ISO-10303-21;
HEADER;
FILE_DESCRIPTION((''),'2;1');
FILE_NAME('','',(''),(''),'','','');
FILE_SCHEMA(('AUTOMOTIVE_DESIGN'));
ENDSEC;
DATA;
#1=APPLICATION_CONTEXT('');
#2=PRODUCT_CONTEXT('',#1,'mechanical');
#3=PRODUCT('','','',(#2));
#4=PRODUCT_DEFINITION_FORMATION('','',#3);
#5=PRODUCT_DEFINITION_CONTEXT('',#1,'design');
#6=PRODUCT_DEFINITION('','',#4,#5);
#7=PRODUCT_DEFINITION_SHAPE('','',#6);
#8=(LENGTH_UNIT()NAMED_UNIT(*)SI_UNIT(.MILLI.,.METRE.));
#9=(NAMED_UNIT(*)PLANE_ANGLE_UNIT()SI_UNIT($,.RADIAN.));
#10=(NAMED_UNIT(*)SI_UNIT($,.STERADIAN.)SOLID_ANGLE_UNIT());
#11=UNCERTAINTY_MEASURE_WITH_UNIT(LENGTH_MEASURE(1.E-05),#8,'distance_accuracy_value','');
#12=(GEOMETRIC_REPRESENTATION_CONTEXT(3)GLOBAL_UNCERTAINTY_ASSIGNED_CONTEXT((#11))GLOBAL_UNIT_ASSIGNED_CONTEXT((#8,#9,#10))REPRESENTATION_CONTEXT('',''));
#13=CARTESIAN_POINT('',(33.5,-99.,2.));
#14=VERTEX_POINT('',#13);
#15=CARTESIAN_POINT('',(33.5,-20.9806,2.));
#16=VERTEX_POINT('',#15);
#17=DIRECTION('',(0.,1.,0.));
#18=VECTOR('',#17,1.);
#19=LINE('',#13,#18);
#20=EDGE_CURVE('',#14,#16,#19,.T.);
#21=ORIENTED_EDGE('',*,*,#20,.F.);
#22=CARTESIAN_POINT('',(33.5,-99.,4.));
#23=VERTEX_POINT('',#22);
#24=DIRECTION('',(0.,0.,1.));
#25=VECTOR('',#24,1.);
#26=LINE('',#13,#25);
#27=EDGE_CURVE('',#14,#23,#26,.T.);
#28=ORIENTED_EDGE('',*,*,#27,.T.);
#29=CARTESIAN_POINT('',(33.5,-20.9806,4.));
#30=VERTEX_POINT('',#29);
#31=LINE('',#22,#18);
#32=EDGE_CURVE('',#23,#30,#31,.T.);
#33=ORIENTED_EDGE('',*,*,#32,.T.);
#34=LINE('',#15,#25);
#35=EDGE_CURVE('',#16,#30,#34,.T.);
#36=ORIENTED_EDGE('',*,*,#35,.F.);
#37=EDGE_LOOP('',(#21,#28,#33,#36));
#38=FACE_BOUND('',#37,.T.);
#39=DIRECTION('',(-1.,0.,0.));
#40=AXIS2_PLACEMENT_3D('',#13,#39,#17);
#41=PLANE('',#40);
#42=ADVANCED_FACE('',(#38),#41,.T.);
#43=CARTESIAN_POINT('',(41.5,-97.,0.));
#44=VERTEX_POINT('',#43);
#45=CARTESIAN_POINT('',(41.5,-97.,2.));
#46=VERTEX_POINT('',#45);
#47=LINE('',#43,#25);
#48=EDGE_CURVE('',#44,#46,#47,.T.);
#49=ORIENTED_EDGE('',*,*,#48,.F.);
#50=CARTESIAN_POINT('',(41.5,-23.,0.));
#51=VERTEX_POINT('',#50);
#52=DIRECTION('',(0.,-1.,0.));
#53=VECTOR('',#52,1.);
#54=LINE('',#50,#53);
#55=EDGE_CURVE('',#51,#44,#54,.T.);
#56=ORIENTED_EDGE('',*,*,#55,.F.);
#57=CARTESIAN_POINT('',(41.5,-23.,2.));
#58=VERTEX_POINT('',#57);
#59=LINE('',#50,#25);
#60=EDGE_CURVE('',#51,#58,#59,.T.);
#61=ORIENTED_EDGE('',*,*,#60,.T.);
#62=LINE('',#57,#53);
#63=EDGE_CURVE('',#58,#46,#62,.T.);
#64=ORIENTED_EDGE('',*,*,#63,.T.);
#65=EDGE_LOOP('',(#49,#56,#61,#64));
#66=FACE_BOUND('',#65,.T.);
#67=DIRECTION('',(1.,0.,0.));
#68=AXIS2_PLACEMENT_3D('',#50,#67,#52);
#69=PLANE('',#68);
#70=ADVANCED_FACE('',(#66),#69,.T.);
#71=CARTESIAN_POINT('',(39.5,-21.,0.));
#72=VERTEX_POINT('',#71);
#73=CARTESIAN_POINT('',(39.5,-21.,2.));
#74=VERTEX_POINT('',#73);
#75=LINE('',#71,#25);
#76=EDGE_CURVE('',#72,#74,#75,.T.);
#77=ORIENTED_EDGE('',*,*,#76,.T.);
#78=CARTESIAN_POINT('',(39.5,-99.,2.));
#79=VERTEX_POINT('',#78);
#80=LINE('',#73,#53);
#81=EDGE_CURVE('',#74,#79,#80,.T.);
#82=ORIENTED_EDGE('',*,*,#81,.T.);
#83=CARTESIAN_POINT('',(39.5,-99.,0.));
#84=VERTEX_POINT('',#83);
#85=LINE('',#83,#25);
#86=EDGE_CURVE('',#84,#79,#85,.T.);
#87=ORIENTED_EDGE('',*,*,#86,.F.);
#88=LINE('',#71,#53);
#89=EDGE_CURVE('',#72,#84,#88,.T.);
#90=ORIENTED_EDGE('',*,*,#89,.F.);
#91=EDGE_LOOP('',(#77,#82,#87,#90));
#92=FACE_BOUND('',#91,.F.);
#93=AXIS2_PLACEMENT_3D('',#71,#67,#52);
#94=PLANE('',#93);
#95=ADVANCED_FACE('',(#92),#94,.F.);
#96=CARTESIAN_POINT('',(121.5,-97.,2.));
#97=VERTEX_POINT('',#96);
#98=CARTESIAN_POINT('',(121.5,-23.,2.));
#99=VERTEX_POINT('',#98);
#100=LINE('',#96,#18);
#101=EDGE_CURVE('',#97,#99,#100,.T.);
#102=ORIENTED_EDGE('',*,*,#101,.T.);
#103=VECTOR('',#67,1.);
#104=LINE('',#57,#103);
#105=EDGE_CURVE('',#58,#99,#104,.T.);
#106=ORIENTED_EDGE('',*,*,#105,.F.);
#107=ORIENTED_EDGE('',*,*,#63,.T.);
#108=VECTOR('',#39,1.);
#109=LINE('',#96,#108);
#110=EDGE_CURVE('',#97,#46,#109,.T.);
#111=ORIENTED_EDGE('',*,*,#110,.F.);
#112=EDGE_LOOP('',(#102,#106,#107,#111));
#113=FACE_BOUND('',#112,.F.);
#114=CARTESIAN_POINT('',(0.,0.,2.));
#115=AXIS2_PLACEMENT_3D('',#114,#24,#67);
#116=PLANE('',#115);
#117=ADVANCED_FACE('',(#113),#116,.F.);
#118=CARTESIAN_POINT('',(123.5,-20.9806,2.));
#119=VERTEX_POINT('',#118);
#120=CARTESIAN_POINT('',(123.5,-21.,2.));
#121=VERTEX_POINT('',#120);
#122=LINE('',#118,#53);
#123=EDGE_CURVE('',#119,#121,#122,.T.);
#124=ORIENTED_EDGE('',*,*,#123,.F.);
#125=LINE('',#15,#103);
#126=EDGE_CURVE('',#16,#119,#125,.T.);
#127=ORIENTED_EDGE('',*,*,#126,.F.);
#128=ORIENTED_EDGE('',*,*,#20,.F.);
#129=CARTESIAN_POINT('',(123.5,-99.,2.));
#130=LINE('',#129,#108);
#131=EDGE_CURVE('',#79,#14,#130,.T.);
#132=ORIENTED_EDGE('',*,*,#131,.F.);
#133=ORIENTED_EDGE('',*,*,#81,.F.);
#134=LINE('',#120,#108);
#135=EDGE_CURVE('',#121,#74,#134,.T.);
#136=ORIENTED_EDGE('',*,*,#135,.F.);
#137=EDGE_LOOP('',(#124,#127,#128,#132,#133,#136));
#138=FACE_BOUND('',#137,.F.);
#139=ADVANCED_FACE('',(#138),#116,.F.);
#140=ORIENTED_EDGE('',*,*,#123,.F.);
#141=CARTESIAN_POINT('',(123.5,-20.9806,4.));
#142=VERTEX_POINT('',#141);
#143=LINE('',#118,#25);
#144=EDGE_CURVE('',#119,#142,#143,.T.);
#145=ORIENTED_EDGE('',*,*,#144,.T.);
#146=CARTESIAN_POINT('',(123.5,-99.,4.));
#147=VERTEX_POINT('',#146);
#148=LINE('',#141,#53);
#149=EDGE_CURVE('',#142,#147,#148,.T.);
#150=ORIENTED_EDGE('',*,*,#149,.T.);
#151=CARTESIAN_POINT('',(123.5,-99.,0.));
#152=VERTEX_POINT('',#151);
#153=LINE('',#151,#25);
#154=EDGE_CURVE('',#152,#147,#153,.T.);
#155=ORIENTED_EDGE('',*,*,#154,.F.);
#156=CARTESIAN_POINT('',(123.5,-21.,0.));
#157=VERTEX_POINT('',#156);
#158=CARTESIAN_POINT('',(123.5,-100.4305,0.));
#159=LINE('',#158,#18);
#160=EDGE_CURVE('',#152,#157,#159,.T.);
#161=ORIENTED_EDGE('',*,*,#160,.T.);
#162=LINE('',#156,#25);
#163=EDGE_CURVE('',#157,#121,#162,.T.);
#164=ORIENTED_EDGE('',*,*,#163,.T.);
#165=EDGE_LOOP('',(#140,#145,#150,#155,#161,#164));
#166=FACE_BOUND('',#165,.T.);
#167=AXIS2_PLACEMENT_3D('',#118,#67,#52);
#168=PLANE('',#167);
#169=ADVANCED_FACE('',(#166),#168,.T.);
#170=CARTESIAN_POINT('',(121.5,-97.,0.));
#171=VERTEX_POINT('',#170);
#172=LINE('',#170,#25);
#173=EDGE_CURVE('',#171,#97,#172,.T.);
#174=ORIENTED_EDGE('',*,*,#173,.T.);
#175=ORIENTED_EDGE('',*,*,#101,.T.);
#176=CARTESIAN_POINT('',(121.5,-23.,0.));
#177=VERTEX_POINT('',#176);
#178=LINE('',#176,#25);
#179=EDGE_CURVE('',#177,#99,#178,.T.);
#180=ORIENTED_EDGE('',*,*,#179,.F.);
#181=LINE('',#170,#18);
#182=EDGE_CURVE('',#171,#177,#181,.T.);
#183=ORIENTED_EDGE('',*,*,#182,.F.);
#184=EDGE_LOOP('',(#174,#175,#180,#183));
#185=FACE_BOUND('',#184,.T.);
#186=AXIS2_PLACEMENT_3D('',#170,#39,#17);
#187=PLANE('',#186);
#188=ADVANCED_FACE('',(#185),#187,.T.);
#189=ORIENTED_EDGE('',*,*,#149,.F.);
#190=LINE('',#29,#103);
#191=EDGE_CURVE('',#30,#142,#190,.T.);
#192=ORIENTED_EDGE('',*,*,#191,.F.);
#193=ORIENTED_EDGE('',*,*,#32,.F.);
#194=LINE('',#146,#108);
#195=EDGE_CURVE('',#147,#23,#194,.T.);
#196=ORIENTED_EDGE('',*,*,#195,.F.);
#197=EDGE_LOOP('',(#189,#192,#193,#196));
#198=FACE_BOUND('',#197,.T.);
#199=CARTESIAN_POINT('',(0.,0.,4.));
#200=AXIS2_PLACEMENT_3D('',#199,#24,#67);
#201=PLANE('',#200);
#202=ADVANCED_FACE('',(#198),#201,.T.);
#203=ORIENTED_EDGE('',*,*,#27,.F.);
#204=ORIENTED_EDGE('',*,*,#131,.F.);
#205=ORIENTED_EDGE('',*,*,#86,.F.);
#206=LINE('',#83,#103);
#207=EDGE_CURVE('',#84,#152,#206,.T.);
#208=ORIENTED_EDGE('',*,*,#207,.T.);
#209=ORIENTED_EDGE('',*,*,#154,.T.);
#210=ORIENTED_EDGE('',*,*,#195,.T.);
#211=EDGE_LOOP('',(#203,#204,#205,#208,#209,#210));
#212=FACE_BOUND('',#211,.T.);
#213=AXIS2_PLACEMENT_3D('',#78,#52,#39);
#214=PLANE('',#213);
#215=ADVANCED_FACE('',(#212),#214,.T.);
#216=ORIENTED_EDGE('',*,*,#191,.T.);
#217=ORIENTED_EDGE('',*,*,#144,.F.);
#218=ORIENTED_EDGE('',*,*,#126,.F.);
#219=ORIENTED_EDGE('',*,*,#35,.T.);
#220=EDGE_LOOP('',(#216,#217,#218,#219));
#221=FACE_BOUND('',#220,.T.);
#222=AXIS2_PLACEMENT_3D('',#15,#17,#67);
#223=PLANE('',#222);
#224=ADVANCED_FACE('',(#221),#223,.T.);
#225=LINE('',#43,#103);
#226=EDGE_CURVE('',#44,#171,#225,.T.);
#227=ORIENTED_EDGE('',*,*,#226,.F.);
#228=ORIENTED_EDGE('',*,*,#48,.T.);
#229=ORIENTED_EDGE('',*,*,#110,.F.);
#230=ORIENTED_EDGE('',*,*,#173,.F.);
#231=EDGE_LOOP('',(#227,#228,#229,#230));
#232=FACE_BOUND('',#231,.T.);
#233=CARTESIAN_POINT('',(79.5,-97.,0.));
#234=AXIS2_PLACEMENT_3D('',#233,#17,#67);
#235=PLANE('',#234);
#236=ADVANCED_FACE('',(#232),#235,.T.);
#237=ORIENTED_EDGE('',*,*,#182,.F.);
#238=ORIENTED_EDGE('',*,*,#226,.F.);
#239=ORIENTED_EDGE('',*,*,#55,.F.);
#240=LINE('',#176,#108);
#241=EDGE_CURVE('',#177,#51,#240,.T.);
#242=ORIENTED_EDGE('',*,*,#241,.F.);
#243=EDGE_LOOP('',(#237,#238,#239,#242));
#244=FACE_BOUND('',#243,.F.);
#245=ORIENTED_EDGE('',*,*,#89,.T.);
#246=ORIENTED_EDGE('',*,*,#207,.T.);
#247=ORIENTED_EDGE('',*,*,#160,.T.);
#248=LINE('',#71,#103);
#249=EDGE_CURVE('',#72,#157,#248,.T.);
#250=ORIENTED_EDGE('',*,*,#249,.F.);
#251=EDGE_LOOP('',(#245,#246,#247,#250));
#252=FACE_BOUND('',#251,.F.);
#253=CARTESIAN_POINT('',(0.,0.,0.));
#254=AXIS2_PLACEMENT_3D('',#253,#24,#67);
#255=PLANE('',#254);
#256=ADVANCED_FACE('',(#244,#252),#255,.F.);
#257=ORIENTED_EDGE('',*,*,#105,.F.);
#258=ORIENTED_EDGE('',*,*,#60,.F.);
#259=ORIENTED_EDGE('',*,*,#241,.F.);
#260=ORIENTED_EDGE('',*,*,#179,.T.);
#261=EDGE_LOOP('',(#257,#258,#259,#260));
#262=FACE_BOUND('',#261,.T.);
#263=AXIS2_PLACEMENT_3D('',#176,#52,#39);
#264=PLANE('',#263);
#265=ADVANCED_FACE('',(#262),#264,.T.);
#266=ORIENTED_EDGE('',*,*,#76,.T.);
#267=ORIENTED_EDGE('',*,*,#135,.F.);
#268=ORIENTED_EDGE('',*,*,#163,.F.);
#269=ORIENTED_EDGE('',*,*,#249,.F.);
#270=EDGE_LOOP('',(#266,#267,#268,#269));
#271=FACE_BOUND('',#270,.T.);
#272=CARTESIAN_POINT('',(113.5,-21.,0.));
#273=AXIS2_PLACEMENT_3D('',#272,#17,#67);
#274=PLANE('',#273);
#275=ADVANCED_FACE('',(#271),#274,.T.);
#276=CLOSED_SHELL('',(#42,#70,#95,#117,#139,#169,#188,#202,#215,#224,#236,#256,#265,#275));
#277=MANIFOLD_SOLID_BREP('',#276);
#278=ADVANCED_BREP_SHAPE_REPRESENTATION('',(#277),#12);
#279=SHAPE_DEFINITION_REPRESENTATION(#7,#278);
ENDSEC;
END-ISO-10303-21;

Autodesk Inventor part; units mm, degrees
ref_plane "YZ Plane" through (0, 0, 0) normal (1, 0, 0) x (0, 1, 0)
ref_plane "XZ Plane" through (0, 0, 0) normal (0, 1, 0) x (-1, 0, 0)
ref_plane "XY Plane" through (0, 0, 0) normal (0, 0, 1) x (1, 0, 0)
sketch "Эскиз1" plane through (0, 0, 0) normal (0, 0, 1) x (1, 0, 0)
  line L0 (123.5, -100.4305) -> (123.5, 102) projected
  arc A0 (93.5, -1) -> (113.5, -21) centre (113.5, -1) ccw projected
  line L1 (-123.5, 102) -> (-123.5, -102) projected
  line L2 (-123.5, -102) -> (123.5, -102) projected
  line L3 (123.5, -102) -> (123.5, -100.4305) projected
  line L4 (123.5, -100.4305) -> (123.5, 102) projected
  line L5 (123.5, 102) -> (-123.5, 102) projected
  line L6 (113.5, -21) -> (123.5, -21) projected
  line L7 (79.5, -18.0083) -> (79.5, -99) projected
  line L8 (123.5, -21) -> (39.5, -21)
  line L9 (39.5, -21) -> (39.5, -99)
  line L10 (39.5, -99) -> (123.5, -99)
  line L11 (123.5, -99) -> (123.5, -21)
  line L12 (121.5, -23) -> (41.5, -23)
  line L13 (41.5, -23) -> (41.5, -97)
  line L14 (41.5, -97) -> (121.5, -97)
  line L15 (121.5, -97) -> (121.5, -23)
  point P0 (0, 0)
  dimension "d0" = 3
  dimension "d1" = 2
  dimension "d2" = 2
  dimension "d3" = 2
  dimension "d4" = 2
  dimension "d5" = 80
extrude "Выдавливание1" add sketch "Эскиз1" along normal blind 2 contours L10 L7 L14 L15 L12 L8 L6 L0 | L10 L9 L8 L7 L12 L13 L14
sketch "Эскиз2" plane through (0, 0, 2) normal (0, 0, 1) x (1, 0, 0)
  line L0 (39.5, -99) -> (123.5, -99) projected
  line L1 (33.5, -20.9806) -> (123.5, -20.9806)
  line L2 (123.5, -20.9806) -> (123.5, -99)
  line L3 (123.5, -99) -> (33.5, -99)
  line L4 (33.5, -99) -> (33.5, -20.9806)
  point P0 (0, 0)
  dimension "d8" = 78.0194
  dimension "d9" = 90
extrude "Выдавливание2" add sketch "Эскиз2" along normal blind 2
sketch "Эскиз3" plane through (0, 0, 4) normal (0, 0, 1) x (1, 0, 0)
  point P0 (0, 0)
properties part number "ДИ 00.00.08"
